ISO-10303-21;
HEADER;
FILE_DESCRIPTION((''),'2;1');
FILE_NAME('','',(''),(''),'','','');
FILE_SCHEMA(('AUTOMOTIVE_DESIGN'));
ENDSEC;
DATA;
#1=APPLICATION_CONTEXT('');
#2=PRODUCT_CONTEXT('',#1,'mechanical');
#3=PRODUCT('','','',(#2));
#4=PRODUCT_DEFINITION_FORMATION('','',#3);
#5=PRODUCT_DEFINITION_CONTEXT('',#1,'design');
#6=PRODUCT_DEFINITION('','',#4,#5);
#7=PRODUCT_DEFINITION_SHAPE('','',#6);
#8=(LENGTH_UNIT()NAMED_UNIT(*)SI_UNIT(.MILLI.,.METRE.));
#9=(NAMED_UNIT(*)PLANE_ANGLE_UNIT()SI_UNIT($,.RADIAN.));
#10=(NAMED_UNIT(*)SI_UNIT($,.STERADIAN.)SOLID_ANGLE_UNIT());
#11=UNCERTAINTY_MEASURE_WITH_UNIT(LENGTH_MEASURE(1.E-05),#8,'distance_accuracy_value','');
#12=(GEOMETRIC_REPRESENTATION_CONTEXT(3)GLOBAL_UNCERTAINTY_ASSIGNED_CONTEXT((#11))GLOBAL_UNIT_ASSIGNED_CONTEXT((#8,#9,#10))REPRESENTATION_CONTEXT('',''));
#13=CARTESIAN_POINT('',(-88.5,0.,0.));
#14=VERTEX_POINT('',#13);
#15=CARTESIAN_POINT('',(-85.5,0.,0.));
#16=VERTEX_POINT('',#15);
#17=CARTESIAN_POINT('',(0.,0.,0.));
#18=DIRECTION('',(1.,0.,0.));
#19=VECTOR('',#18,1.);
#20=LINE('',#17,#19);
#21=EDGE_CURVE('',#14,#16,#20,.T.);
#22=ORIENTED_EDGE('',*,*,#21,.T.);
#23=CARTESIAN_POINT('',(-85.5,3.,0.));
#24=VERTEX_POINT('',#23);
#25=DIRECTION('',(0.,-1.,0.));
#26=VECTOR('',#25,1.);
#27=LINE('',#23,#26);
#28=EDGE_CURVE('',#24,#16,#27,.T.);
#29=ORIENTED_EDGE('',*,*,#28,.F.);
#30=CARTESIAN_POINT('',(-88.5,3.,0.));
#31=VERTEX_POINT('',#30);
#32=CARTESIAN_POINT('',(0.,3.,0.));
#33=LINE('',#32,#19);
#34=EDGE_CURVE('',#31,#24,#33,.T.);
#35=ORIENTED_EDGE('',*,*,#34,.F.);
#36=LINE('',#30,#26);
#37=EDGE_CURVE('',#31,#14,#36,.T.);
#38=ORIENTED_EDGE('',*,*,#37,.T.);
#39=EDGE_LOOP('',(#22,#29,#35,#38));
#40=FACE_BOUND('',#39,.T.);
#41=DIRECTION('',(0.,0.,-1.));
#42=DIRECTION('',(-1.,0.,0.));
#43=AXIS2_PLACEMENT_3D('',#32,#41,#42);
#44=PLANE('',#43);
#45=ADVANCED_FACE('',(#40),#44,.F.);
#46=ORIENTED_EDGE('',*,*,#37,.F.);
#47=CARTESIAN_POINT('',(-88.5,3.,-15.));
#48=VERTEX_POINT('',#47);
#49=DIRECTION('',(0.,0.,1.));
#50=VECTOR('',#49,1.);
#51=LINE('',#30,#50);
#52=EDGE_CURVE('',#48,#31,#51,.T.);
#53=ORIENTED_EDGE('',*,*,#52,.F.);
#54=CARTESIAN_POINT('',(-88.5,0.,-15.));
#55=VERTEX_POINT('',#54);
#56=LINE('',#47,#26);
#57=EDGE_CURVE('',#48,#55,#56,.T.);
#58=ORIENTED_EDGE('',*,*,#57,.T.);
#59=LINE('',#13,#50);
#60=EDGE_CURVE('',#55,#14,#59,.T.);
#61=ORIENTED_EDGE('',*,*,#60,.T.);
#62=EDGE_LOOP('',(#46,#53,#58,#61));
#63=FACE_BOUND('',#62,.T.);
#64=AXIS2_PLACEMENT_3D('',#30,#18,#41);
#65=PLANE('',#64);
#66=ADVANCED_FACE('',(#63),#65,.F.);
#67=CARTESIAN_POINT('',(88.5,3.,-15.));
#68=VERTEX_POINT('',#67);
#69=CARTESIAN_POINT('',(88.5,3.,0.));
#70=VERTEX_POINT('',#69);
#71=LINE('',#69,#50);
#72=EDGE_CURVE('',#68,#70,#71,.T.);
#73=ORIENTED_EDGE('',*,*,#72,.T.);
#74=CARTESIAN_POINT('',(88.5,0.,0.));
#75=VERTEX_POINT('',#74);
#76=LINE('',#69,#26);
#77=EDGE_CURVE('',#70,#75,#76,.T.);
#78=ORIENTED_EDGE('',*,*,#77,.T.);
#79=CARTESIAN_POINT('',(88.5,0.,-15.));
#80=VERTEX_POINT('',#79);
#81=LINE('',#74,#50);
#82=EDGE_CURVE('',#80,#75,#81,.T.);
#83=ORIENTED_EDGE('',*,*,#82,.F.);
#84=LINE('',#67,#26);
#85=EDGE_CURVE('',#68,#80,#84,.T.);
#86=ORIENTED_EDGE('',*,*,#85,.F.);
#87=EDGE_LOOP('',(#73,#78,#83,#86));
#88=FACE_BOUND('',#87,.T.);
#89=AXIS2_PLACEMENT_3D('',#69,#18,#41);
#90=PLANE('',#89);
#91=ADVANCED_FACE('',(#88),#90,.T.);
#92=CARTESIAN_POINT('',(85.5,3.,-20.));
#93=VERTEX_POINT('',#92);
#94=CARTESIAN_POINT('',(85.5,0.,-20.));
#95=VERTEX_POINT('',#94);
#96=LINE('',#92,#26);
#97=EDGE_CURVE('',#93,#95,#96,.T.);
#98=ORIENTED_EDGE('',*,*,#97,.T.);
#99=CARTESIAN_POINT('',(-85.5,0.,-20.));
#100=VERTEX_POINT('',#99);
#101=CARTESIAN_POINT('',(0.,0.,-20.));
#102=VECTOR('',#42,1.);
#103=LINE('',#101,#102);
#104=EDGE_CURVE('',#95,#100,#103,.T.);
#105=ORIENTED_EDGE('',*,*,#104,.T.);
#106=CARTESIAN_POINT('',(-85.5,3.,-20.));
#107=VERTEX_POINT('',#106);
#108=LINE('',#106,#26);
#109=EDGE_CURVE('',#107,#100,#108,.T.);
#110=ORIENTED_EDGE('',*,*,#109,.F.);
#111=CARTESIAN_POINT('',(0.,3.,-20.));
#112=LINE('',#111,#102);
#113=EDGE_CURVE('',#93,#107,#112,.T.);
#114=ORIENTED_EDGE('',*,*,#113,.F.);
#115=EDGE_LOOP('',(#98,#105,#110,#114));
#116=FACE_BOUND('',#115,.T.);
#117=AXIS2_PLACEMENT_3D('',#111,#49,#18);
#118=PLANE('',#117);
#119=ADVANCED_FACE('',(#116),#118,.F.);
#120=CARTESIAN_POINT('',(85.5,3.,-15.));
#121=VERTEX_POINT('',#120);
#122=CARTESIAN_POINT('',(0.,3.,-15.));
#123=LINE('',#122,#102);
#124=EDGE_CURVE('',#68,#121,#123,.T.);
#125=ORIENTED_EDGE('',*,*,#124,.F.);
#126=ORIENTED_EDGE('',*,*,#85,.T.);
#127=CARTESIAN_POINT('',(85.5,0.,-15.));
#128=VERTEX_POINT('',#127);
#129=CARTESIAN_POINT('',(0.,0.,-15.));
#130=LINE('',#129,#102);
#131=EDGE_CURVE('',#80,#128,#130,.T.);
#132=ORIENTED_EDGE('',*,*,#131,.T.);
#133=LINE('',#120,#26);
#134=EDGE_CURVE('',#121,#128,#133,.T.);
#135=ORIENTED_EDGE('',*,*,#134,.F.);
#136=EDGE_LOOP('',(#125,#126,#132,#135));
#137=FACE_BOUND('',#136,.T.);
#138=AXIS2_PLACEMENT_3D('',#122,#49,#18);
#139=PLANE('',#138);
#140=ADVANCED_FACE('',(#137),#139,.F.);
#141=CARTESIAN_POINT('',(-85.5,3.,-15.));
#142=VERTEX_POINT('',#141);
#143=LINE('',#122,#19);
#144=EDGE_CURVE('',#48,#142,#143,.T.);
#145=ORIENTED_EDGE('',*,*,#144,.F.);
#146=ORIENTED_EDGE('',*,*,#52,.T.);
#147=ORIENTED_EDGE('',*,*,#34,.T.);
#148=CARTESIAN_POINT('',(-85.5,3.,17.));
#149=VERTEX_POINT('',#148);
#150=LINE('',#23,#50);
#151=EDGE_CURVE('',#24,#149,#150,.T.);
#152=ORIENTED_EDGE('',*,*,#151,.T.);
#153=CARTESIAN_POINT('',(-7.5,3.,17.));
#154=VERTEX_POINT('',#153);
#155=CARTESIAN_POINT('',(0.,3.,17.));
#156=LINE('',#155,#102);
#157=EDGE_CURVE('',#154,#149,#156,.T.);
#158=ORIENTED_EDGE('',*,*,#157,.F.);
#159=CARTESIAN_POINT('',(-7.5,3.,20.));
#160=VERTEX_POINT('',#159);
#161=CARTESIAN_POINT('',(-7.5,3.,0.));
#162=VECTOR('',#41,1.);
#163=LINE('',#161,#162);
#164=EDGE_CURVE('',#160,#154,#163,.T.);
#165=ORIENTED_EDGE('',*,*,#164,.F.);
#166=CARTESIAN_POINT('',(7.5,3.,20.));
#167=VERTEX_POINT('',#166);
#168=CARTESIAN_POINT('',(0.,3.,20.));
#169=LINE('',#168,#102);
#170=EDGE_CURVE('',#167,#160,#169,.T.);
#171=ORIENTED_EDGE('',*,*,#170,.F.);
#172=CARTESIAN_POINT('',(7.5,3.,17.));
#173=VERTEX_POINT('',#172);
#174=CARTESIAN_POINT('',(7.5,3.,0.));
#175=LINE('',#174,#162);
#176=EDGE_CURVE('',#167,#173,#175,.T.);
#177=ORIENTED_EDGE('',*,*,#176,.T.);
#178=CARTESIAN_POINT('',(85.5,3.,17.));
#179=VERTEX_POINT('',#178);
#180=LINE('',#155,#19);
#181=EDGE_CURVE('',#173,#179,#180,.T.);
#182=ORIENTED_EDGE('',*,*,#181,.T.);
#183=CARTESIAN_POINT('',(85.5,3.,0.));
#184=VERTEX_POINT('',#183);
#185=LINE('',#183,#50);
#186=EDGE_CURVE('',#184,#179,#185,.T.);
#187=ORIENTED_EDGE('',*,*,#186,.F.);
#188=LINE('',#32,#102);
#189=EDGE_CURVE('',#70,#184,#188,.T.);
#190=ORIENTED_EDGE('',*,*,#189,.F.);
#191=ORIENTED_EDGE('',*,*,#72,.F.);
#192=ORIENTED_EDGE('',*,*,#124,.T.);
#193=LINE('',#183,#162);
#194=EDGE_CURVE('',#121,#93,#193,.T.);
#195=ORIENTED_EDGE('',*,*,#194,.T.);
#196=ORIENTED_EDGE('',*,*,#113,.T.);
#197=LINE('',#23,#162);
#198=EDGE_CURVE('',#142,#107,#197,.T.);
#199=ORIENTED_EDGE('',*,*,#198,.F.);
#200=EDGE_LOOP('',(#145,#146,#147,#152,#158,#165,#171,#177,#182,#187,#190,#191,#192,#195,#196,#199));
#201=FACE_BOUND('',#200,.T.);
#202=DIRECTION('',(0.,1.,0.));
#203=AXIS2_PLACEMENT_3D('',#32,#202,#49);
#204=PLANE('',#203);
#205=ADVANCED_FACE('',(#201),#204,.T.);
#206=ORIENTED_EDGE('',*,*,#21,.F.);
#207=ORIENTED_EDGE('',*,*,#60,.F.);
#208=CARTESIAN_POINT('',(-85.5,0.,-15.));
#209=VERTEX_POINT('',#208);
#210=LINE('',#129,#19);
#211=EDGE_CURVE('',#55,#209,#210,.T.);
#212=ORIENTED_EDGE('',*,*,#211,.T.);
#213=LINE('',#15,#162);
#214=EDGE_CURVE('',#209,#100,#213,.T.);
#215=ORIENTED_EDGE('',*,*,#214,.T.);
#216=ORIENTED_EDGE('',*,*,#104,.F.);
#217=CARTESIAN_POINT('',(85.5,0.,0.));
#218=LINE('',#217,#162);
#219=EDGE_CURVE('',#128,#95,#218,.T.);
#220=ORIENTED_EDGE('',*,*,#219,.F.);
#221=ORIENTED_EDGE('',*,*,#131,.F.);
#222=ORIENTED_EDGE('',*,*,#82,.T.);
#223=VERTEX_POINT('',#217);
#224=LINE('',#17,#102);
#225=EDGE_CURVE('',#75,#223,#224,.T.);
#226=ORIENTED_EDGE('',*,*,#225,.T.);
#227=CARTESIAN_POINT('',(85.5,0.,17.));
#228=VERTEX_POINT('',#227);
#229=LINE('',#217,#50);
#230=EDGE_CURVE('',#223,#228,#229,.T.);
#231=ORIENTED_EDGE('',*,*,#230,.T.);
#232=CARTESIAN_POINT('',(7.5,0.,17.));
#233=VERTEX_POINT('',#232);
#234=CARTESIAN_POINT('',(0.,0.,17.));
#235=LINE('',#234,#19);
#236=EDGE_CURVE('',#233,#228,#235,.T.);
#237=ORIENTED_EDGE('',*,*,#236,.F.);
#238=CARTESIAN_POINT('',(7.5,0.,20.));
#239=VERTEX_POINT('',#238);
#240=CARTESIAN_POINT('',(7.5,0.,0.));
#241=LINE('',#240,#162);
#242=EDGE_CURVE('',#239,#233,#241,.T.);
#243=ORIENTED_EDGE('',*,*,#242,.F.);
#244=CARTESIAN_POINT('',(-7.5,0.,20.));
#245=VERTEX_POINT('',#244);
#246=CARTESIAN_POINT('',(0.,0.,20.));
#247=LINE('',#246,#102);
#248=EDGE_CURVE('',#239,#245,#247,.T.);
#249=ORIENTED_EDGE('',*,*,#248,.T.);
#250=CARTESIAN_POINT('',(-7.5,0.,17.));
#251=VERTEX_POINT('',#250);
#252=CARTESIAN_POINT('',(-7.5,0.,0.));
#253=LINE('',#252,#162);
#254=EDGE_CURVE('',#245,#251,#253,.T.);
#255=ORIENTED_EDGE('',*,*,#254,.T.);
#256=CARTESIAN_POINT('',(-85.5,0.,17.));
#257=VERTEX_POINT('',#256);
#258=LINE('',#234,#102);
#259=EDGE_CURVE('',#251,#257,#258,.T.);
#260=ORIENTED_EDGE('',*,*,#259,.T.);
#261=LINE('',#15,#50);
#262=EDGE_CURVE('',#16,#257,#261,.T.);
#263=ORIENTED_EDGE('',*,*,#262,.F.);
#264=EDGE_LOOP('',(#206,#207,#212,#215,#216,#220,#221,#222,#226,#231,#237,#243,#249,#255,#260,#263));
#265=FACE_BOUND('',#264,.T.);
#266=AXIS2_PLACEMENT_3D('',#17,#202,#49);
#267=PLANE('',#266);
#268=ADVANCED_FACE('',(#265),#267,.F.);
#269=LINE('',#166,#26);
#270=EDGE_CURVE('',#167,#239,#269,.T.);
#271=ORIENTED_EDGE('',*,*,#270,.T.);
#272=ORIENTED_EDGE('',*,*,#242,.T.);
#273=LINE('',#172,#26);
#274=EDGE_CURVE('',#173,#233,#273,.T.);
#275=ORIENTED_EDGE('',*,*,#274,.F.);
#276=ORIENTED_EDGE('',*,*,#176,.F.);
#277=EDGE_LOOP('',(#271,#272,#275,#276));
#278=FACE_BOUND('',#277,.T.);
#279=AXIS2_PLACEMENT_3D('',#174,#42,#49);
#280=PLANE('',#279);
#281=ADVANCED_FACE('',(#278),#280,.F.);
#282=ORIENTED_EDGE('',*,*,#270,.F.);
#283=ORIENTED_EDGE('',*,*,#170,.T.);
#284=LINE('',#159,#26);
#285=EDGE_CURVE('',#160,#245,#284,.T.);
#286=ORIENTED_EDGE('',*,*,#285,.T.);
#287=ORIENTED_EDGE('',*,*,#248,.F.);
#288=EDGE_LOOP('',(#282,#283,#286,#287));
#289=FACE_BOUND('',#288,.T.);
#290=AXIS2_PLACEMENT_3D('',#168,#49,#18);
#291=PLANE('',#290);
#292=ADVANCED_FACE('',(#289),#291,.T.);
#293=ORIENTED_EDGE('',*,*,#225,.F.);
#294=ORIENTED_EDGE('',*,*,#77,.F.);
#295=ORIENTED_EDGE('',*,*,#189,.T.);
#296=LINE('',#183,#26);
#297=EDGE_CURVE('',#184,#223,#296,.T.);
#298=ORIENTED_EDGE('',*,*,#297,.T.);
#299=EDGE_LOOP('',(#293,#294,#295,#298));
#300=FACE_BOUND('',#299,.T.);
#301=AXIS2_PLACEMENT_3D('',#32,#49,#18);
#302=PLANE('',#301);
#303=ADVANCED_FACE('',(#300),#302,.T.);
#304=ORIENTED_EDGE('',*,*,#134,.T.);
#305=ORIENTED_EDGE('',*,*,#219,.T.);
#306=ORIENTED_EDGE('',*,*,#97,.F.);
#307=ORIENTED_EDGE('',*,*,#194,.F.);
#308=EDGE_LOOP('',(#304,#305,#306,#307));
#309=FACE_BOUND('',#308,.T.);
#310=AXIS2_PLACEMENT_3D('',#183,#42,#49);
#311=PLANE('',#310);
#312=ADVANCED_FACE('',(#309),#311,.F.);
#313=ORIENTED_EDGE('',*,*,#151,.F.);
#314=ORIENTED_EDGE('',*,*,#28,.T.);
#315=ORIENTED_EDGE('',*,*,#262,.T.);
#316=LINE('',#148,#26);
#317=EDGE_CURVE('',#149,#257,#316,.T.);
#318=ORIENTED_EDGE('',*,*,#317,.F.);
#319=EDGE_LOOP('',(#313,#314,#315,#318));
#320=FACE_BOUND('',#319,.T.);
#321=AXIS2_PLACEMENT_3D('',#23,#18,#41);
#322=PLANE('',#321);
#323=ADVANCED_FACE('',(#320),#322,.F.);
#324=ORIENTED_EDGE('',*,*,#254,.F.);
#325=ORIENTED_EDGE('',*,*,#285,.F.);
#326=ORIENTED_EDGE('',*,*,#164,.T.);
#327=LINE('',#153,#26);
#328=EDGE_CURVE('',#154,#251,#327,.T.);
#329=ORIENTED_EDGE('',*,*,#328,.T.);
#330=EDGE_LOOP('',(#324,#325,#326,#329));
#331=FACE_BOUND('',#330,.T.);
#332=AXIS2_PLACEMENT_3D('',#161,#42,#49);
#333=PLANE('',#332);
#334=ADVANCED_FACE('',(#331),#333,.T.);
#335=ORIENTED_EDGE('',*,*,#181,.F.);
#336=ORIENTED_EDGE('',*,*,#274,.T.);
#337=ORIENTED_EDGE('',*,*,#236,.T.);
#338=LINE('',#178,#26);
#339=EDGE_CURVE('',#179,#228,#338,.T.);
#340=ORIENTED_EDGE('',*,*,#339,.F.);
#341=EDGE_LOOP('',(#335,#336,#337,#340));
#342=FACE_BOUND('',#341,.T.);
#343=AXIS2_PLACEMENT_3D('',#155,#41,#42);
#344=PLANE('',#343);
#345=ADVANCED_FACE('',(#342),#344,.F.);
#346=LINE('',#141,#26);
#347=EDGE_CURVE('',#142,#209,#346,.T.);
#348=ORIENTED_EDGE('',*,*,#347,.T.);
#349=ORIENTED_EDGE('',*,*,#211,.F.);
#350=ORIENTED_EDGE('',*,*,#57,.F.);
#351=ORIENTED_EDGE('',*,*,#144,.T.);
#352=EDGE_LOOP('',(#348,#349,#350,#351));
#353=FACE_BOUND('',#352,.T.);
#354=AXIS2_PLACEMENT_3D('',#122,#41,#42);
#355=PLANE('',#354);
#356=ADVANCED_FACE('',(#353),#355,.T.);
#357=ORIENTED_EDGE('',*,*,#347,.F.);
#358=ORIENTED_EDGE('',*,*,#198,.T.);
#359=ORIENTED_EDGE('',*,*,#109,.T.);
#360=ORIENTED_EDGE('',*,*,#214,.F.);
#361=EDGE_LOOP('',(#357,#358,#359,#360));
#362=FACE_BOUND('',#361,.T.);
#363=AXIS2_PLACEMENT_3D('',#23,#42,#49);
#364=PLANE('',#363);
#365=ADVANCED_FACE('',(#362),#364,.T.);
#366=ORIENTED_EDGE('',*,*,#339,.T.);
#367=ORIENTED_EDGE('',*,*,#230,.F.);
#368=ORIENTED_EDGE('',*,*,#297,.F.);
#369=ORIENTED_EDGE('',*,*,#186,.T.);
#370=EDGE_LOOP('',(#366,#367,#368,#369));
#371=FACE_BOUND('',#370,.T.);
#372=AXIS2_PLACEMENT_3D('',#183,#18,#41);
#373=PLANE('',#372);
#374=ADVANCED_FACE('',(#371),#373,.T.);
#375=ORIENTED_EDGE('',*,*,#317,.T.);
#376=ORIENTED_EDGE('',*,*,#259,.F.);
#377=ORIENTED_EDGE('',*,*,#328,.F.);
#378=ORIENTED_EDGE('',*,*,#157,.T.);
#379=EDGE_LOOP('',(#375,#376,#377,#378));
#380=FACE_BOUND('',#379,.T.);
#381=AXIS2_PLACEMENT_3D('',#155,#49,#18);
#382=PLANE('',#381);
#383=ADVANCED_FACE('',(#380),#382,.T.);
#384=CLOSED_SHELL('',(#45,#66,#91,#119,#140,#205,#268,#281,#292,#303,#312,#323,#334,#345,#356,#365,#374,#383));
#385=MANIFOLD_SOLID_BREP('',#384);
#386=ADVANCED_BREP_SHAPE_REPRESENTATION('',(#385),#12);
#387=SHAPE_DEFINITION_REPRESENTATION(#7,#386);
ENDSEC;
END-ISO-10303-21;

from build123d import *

# Parameters (mm, degrees)
EXTRUDE_1_DEPTH = 3


with BuildPart() as part:
    # 草图1 → 凸台-拉伸1 (new body)
    with BuildSketch(Plane(origin=(0, 0, 0), x_dir=(1, 0, 0), z_dir=(0, 1, 0))):
        Polygon((-88.5, 0), (-85.5, 0), (-85.5, -17), (-7.5, -17), (-7.5, -20), (7.5, -20), (7.5, -17), (85.5, -17), (85.5, 0), (88.5, 0), (88.5, 15), (85.5, 15), (85.5, 20), (-85.5, 20), (-85.5, 15), (-88.5, 15), align=None)
    extrude(amount=EXTRUDE_1_DEPTH)


solid = part.part
